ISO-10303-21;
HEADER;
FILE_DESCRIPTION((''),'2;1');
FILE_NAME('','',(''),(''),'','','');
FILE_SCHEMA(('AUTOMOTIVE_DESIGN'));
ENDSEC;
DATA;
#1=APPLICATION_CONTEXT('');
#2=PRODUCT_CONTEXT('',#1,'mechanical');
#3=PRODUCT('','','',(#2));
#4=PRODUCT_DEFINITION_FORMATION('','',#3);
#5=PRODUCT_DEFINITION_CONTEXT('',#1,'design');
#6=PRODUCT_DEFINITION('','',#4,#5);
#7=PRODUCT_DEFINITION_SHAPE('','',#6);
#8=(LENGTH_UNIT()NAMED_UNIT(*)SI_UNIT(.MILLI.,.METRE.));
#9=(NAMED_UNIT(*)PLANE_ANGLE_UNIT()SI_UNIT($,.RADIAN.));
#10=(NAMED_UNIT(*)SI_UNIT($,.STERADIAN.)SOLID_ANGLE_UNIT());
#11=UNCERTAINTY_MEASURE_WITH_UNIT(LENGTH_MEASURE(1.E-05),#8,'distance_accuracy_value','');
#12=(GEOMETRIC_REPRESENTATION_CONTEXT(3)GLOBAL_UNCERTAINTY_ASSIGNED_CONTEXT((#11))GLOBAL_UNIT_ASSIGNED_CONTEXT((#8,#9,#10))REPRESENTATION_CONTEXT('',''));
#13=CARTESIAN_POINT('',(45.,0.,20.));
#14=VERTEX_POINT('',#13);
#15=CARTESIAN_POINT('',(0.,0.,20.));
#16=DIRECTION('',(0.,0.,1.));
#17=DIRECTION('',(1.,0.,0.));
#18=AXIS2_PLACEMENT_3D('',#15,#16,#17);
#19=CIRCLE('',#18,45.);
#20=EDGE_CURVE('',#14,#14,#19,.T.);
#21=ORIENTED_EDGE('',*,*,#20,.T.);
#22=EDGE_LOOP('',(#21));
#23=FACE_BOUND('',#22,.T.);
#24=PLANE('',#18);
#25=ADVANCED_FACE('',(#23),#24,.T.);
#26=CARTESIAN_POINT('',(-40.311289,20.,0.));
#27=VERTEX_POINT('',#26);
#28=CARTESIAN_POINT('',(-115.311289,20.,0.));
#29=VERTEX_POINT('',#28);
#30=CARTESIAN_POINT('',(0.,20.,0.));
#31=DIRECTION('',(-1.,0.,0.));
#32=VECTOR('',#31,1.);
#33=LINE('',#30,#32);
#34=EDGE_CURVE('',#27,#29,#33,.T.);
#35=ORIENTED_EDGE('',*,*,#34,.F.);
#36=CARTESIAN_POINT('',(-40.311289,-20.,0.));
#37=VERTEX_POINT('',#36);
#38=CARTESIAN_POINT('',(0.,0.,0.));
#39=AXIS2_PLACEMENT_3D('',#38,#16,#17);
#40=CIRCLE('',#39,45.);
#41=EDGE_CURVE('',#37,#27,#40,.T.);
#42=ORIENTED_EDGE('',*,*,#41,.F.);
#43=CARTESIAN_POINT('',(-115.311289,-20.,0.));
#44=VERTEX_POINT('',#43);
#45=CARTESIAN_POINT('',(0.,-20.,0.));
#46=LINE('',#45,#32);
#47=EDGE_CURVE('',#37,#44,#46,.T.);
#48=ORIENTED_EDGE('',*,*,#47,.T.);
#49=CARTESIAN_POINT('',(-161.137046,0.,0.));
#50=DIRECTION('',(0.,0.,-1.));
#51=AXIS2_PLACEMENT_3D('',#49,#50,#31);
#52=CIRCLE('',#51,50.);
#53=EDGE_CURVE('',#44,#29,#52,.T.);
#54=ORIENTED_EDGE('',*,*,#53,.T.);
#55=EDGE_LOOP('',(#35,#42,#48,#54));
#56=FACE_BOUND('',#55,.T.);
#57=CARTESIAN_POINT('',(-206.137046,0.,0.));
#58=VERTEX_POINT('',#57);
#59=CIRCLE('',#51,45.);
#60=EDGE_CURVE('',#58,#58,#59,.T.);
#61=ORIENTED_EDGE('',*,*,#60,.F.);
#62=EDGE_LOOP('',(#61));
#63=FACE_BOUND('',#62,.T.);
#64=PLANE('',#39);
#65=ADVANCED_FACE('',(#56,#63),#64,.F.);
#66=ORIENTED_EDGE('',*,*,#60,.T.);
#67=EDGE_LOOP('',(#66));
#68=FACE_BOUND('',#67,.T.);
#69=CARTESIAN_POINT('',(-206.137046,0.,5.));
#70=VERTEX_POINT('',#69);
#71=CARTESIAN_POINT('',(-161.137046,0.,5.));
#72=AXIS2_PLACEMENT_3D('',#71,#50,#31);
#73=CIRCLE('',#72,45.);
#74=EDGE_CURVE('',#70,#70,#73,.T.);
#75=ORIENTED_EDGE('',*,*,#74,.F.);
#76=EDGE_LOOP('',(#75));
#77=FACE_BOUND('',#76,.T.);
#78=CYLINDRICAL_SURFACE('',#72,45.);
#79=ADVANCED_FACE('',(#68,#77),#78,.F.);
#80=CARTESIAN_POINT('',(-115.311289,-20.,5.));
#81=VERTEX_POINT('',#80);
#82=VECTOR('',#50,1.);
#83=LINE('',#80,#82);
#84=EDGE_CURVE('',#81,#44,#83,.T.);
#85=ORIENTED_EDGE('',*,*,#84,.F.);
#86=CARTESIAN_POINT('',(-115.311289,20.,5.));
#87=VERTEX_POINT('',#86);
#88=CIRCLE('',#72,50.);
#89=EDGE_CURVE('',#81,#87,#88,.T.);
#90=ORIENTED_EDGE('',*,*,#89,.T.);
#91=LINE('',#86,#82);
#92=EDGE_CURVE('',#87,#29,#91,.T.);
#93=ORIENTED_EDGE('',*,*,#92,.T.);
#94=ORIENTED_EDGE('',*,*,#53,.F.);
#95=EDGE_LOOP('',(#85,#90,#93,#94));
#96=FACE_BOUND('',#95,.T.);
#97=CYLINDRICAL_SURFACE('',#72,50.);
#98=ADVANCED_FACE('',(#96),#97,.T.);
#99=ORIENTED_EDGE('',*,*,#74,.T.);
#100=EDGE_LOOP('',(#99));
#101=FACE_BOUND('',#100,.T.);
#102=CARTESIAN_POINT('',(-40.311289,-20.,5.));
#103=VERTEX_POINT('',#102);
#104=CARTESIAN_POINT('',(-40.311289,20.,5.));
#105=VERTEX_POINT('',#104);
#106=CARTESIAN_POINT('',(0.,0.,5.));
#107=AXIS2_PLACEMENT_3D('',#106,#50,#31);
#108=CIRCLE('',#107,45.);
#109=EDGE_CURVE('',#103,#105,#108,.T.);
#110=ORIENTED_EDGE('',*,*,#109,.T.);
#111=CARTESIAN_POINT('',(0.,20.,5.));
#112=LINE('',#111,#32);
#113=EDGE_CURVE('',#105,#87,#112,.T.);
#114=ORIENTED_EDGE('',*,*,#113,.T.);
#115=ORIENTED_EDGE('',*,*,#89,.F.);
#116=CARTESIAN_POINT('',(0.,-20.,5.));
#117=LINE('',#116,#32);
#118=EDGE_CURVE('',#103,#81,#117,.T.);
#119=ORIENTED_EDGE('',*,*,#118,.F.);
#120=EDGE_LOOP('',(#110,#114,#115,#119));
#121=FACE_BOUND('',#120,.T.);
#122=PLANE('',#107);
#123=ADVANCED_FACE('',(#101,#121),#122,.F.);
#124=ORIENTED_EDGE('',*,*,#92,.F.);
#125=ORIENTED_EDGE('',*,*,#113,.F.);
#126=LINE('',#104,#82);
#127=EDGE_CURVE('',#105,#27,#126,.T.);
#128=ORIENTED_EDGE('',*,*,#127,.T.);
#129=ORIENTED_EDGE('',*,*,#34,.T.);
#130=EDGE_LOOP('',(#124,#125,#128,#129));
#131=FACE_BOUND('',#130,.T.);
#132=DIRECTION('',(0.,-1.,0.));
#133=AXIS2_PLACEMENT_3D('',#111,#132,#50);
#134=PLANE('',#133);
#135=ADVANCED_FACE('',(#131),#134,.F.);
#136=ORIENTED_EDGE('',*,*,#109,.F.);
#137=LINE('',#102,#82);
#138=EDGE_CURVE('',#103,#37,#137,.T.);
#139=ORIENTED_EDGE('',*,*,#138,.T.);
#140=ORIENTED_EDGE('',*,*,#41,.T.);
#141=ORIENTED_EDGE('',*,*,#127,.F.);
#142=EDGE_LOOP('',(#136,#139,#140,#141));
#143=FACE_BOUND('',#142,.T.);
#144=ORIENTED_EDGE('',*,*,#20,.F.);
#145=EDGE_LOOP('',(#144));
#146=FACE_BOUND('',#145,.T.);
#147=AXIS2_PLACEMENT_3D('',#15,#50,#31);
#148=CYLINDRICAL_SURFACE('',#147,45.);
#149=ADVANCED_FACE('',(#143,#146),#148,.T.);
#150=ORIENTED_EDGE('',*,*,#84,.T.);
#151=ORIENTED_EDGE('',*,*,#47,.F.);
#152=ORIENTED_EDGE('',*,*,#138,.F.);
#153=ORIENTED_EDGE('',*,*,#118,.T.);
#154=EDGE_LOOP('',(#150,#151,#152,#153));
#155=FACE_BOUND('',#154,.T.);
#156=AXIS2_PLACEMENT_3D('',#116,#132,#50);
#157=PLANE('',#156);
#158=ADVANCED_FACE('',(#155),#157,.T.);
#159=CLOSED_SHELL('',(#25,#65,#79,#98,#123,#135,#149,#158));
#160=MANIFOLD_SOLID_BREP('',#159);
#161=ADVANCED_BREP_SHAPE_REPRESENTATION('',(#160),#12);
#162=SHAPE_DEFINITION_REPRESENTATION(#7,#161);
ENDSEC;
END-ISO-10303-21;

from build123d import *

# Parameters (mm, degrees)
SKETCH1_R           = 45
BOSS_EXTRUDE1_DEPTH = 20
SKETCH2_R           = 50
SKETCH2_R_2         = 45
BOSS_EXTRUDE2_DEPTH = 5


with BuildPart() as part:
    # Sketch1 → Boss-Extrude1 (new body)
    with BuildSketch(Plane.XY):
        Circle(SKETCH1_R)
    extrude(amount=BOSS_EXTRUDE1_DEPTH)

    # Sketch2 → Boss-Extrude2 (add)
    # profile 1 of 2: a face of its own
    with BuildSketch(Plane(origin=(0, 0, 0), x_dir=(-1, 0, 0), z_dir=(0, 0, -1))):
        with BuildLine():
            Line((115.311288741, 20), (40.311288741, 20))
            ThreePointArc((40.311288741, 20), (43.812144397, 10.271124735), (45, 0))
            ThreePointArc((45, 0), (43.812144397, -10.271124735), (40.311288741, -20))
            Line((40.311288741, -20), (115.311288741, -20))
            ThreePointArc((115.311288741, -20), (111.137045691, 0), (115.311288741, 20))
        make_face()
    # profile 2 of 2: a face of its own
    with BuildSketch(Plane(origin=(0, 0, 0), x_dir=(-1, 0, 0), z_dir=(0, 0, -1))):
        with Locations((161.137045691, 0)):
            Circle(SKETCH2_R)
        with Locations((161.137045691, 0)):
            Circle(SKETCH2_R_2, mode=Mode.SUBTRACT)
    extrude(amount=-BOSS_EXTRUDE2_DEPTH)


solid = part.part
